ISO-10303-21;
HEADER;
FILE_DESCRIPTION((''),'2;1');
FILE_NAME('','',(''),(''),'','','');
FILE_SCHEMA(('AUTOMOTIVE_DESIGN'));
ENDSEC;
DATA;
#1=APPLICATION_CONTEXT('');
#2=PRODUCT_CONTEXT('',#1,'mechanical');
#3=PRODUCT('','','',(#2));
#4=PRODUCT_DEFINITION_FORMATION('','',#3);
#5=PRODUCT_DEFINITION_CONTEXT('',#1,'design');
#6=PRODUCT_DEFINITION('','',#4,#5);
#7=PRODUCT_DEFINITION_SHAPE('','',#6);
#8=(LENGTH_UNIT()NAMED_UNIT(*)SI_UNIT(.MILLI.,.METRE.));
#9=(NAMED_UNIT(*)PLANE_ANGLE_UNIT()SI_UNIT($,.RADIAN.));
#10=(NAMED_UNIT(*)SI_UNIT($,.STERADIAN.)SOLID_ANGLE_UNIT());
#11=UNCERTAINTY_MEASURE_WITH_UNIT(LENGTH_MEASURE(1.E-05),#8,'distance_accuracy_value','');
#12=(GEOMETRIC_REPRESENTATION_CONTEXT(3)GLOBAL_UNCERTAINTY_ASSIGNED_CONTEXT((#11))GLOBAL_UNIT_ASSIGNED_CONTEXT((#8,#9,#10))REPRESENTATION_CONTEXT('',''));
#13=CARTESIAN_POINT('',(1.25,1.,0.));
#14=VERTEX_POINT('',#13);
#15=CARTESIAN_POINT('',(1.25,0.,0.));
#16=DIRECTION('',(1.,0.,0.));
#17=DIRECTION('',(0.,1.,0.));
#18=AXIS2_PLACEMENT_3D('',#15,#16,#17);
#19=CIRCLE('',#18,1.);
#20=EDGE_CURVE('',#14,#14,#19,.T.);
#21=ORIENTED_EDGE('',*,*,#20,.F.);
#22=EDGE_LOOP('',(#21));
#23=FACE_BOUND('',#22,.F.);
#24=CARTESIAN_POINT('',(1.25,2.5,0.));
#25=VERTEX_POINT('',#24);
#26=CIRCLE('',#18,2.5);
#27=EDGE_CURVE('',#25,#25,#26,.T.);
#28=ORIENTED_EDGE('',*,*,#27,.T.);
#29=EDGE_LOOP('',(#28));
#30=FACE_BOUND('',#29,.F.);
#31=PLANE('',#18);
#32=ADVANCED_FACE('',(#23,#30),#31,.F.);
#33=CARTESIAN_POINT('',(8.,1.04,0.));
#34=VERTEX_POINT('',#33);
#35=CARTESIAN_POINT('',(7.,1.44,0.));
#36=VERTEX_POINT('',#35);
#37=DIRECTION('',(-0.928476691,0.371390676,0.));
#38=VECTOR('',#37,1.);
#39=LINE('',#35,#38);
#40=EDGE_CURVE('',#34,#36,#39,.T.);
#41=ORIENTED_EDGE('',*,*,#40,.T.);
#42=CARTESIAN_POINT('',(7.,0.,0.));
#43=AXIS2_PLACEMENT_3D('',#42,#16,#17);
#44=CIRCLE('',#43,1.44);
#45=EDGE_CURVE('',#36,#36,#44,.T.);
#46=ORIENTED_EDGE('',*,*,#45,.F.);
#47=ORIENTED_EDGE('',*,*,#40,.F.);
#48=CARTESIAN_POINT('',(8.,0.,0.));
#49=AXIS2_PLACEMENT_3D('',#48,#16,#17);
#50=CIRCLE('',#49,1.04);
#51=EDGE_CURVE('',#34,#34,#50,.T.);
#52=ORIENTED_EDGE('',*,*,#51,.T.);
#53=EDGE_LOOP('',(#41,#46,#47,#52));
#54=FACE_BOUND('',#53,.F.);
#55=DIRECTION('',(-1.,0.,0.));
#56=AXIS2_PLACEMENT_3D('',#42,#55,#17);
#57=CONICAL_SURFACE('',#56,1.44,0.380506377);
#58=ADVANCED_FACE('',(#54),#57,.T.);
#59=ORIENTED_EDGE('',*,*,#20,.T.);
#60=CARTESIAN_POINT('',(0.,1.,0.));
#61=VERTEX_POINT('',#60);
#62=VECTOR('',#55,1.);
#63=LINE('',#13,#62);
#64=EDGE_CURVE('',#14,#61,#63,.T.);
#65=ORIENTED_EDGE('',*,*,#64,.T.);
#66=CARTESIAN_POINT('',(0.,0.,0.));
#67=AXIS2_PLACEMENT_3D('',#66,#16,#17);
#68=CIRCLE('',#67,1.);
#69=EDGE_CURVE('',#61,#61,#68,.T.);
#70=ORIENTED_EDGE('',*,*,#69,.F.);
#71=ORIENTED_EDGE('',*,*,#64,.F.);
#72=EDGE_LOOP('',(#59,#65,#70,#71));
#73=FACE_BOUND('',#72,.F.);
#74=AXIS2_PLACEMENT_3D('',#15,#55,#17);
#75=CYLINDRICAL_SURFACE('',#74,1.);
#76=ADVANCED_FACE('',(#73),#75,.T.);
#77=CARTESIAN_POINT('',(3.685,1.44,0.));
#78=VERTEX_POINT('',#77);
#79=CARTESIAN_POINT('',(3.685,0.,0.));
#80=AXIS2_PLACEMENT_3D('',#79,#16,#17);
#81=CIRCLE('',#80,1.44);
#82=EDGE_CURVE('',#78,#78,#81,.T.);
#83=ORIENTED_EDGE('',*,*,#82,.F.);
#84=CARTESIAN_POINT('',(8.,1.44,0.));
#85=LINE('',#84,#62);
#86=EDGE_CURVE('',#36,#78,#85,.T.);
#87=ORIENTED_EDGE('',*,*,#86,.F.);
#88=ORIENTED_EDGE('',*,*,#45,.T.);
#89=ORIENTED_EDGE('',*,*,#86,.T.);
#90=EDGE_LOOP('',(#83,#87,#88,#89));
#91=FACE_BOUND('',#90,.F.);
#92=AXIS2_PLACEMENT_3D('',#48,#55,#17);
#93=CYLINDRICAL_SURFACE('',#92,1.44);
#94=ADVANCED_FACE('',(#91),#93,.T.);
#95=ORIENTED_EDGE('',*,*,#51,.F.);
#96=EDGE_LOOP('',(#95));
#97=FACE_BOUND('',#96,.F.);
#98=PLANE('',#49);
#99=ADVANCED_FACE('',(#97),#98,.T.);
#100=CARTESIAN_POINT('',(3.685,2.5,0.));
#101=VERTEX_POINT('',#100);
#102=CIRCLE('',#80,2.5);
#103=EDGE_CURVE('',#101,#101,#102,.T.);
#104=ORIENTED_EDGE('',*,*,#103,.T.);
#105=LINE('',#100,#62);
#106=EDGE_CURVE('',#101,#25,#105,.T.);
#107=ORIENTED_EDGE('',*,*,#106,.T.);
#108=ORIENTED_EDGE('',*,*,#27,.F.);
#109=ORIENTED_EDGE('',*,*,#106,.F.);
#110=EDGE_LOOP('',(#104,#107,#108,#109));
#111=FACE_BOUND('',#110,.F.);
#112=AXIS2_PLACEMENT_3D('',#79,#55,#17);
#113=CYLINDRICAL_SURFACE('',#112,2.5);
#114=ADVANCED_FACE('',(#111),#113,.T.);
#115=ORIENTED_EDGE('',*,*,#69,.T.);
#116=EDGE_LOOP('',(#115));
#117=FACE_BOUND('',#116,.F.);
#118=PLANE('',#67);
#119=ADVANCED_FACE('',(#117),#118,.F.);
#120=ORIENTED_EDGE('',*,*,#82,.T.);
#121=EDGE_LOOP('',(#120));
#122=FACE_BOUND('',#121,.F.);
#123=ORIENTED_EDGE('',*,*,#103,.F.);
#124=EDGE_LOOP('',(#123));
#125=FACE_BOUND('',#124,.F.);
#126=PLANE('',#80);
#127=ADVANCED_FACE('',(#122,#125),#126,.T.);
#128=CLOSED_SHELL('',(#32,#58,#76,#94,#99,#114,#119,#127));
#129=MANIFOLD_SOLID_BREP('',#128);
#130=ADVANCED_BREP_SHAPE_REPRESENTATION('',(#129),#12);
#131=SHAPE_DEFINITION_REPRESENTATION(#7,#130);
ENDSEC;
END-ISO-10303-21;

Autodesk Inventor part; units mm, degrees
ref_plane "YZ Plane" through (0, 0, 0) normal (1, 0, 0) x (0, 1, 0)
ref_plane "XZ Plane" through (0, 0, 0) normal (0, 1, 0) x (-1, 0, 0)
ref_plane "XY Plane" through (0, 0, 0) normal (0, 0, 1) x (1, 0, 0)
sketch "Sketch1" plane through (0, 0, 0) normal (0, 0, 1) x (1, 0, 0)
  line L0 (0, 0) -> (1.25, 0)
  line L1 (1.25, 0) -> (1.25, 1)
  line L2 (1.25, 1) -> (0, 1)
  line L3 (0, 1) -> (0, 0)
  line L4 (1.25, 0) -> (3.685, 0)
  line L5 (3.685, 0) -> (3.685, 2.5)
  line L6 (3.685, 2.5) -> (1.25, 2.5)
  line L7 (1.25, 2.5) -> (1.25, 0)
  line L8 (3.685, 0) -> (8, 0)
  line L9 (8, 0) -> (8, 1.44)
  line L10 (8, 1.44) -> (3.685, 1.44)
  line L11 (3.685, 1.44) -> (3.685, 0)
  dimension "d0" = 1.25
  dimension "d1" = 3.685
  dimension "d2" = 8
  dimension "d3" = 2
  dimension "d4" = 5
  dimension "d5" = 2.88
revolve "Revolution1" add sketch "Sketch1" angle 360 about axis through (3.685, 0, 0) along (1, 0, 0)
chamfer "Chamfer1" distance 0.4 distance2 1 1 edges at (8, -1.44, 0) measured on face at (8, -0.2568, -0.5255)
properties part number "403-04" material "Brass, Soft Yellow"
